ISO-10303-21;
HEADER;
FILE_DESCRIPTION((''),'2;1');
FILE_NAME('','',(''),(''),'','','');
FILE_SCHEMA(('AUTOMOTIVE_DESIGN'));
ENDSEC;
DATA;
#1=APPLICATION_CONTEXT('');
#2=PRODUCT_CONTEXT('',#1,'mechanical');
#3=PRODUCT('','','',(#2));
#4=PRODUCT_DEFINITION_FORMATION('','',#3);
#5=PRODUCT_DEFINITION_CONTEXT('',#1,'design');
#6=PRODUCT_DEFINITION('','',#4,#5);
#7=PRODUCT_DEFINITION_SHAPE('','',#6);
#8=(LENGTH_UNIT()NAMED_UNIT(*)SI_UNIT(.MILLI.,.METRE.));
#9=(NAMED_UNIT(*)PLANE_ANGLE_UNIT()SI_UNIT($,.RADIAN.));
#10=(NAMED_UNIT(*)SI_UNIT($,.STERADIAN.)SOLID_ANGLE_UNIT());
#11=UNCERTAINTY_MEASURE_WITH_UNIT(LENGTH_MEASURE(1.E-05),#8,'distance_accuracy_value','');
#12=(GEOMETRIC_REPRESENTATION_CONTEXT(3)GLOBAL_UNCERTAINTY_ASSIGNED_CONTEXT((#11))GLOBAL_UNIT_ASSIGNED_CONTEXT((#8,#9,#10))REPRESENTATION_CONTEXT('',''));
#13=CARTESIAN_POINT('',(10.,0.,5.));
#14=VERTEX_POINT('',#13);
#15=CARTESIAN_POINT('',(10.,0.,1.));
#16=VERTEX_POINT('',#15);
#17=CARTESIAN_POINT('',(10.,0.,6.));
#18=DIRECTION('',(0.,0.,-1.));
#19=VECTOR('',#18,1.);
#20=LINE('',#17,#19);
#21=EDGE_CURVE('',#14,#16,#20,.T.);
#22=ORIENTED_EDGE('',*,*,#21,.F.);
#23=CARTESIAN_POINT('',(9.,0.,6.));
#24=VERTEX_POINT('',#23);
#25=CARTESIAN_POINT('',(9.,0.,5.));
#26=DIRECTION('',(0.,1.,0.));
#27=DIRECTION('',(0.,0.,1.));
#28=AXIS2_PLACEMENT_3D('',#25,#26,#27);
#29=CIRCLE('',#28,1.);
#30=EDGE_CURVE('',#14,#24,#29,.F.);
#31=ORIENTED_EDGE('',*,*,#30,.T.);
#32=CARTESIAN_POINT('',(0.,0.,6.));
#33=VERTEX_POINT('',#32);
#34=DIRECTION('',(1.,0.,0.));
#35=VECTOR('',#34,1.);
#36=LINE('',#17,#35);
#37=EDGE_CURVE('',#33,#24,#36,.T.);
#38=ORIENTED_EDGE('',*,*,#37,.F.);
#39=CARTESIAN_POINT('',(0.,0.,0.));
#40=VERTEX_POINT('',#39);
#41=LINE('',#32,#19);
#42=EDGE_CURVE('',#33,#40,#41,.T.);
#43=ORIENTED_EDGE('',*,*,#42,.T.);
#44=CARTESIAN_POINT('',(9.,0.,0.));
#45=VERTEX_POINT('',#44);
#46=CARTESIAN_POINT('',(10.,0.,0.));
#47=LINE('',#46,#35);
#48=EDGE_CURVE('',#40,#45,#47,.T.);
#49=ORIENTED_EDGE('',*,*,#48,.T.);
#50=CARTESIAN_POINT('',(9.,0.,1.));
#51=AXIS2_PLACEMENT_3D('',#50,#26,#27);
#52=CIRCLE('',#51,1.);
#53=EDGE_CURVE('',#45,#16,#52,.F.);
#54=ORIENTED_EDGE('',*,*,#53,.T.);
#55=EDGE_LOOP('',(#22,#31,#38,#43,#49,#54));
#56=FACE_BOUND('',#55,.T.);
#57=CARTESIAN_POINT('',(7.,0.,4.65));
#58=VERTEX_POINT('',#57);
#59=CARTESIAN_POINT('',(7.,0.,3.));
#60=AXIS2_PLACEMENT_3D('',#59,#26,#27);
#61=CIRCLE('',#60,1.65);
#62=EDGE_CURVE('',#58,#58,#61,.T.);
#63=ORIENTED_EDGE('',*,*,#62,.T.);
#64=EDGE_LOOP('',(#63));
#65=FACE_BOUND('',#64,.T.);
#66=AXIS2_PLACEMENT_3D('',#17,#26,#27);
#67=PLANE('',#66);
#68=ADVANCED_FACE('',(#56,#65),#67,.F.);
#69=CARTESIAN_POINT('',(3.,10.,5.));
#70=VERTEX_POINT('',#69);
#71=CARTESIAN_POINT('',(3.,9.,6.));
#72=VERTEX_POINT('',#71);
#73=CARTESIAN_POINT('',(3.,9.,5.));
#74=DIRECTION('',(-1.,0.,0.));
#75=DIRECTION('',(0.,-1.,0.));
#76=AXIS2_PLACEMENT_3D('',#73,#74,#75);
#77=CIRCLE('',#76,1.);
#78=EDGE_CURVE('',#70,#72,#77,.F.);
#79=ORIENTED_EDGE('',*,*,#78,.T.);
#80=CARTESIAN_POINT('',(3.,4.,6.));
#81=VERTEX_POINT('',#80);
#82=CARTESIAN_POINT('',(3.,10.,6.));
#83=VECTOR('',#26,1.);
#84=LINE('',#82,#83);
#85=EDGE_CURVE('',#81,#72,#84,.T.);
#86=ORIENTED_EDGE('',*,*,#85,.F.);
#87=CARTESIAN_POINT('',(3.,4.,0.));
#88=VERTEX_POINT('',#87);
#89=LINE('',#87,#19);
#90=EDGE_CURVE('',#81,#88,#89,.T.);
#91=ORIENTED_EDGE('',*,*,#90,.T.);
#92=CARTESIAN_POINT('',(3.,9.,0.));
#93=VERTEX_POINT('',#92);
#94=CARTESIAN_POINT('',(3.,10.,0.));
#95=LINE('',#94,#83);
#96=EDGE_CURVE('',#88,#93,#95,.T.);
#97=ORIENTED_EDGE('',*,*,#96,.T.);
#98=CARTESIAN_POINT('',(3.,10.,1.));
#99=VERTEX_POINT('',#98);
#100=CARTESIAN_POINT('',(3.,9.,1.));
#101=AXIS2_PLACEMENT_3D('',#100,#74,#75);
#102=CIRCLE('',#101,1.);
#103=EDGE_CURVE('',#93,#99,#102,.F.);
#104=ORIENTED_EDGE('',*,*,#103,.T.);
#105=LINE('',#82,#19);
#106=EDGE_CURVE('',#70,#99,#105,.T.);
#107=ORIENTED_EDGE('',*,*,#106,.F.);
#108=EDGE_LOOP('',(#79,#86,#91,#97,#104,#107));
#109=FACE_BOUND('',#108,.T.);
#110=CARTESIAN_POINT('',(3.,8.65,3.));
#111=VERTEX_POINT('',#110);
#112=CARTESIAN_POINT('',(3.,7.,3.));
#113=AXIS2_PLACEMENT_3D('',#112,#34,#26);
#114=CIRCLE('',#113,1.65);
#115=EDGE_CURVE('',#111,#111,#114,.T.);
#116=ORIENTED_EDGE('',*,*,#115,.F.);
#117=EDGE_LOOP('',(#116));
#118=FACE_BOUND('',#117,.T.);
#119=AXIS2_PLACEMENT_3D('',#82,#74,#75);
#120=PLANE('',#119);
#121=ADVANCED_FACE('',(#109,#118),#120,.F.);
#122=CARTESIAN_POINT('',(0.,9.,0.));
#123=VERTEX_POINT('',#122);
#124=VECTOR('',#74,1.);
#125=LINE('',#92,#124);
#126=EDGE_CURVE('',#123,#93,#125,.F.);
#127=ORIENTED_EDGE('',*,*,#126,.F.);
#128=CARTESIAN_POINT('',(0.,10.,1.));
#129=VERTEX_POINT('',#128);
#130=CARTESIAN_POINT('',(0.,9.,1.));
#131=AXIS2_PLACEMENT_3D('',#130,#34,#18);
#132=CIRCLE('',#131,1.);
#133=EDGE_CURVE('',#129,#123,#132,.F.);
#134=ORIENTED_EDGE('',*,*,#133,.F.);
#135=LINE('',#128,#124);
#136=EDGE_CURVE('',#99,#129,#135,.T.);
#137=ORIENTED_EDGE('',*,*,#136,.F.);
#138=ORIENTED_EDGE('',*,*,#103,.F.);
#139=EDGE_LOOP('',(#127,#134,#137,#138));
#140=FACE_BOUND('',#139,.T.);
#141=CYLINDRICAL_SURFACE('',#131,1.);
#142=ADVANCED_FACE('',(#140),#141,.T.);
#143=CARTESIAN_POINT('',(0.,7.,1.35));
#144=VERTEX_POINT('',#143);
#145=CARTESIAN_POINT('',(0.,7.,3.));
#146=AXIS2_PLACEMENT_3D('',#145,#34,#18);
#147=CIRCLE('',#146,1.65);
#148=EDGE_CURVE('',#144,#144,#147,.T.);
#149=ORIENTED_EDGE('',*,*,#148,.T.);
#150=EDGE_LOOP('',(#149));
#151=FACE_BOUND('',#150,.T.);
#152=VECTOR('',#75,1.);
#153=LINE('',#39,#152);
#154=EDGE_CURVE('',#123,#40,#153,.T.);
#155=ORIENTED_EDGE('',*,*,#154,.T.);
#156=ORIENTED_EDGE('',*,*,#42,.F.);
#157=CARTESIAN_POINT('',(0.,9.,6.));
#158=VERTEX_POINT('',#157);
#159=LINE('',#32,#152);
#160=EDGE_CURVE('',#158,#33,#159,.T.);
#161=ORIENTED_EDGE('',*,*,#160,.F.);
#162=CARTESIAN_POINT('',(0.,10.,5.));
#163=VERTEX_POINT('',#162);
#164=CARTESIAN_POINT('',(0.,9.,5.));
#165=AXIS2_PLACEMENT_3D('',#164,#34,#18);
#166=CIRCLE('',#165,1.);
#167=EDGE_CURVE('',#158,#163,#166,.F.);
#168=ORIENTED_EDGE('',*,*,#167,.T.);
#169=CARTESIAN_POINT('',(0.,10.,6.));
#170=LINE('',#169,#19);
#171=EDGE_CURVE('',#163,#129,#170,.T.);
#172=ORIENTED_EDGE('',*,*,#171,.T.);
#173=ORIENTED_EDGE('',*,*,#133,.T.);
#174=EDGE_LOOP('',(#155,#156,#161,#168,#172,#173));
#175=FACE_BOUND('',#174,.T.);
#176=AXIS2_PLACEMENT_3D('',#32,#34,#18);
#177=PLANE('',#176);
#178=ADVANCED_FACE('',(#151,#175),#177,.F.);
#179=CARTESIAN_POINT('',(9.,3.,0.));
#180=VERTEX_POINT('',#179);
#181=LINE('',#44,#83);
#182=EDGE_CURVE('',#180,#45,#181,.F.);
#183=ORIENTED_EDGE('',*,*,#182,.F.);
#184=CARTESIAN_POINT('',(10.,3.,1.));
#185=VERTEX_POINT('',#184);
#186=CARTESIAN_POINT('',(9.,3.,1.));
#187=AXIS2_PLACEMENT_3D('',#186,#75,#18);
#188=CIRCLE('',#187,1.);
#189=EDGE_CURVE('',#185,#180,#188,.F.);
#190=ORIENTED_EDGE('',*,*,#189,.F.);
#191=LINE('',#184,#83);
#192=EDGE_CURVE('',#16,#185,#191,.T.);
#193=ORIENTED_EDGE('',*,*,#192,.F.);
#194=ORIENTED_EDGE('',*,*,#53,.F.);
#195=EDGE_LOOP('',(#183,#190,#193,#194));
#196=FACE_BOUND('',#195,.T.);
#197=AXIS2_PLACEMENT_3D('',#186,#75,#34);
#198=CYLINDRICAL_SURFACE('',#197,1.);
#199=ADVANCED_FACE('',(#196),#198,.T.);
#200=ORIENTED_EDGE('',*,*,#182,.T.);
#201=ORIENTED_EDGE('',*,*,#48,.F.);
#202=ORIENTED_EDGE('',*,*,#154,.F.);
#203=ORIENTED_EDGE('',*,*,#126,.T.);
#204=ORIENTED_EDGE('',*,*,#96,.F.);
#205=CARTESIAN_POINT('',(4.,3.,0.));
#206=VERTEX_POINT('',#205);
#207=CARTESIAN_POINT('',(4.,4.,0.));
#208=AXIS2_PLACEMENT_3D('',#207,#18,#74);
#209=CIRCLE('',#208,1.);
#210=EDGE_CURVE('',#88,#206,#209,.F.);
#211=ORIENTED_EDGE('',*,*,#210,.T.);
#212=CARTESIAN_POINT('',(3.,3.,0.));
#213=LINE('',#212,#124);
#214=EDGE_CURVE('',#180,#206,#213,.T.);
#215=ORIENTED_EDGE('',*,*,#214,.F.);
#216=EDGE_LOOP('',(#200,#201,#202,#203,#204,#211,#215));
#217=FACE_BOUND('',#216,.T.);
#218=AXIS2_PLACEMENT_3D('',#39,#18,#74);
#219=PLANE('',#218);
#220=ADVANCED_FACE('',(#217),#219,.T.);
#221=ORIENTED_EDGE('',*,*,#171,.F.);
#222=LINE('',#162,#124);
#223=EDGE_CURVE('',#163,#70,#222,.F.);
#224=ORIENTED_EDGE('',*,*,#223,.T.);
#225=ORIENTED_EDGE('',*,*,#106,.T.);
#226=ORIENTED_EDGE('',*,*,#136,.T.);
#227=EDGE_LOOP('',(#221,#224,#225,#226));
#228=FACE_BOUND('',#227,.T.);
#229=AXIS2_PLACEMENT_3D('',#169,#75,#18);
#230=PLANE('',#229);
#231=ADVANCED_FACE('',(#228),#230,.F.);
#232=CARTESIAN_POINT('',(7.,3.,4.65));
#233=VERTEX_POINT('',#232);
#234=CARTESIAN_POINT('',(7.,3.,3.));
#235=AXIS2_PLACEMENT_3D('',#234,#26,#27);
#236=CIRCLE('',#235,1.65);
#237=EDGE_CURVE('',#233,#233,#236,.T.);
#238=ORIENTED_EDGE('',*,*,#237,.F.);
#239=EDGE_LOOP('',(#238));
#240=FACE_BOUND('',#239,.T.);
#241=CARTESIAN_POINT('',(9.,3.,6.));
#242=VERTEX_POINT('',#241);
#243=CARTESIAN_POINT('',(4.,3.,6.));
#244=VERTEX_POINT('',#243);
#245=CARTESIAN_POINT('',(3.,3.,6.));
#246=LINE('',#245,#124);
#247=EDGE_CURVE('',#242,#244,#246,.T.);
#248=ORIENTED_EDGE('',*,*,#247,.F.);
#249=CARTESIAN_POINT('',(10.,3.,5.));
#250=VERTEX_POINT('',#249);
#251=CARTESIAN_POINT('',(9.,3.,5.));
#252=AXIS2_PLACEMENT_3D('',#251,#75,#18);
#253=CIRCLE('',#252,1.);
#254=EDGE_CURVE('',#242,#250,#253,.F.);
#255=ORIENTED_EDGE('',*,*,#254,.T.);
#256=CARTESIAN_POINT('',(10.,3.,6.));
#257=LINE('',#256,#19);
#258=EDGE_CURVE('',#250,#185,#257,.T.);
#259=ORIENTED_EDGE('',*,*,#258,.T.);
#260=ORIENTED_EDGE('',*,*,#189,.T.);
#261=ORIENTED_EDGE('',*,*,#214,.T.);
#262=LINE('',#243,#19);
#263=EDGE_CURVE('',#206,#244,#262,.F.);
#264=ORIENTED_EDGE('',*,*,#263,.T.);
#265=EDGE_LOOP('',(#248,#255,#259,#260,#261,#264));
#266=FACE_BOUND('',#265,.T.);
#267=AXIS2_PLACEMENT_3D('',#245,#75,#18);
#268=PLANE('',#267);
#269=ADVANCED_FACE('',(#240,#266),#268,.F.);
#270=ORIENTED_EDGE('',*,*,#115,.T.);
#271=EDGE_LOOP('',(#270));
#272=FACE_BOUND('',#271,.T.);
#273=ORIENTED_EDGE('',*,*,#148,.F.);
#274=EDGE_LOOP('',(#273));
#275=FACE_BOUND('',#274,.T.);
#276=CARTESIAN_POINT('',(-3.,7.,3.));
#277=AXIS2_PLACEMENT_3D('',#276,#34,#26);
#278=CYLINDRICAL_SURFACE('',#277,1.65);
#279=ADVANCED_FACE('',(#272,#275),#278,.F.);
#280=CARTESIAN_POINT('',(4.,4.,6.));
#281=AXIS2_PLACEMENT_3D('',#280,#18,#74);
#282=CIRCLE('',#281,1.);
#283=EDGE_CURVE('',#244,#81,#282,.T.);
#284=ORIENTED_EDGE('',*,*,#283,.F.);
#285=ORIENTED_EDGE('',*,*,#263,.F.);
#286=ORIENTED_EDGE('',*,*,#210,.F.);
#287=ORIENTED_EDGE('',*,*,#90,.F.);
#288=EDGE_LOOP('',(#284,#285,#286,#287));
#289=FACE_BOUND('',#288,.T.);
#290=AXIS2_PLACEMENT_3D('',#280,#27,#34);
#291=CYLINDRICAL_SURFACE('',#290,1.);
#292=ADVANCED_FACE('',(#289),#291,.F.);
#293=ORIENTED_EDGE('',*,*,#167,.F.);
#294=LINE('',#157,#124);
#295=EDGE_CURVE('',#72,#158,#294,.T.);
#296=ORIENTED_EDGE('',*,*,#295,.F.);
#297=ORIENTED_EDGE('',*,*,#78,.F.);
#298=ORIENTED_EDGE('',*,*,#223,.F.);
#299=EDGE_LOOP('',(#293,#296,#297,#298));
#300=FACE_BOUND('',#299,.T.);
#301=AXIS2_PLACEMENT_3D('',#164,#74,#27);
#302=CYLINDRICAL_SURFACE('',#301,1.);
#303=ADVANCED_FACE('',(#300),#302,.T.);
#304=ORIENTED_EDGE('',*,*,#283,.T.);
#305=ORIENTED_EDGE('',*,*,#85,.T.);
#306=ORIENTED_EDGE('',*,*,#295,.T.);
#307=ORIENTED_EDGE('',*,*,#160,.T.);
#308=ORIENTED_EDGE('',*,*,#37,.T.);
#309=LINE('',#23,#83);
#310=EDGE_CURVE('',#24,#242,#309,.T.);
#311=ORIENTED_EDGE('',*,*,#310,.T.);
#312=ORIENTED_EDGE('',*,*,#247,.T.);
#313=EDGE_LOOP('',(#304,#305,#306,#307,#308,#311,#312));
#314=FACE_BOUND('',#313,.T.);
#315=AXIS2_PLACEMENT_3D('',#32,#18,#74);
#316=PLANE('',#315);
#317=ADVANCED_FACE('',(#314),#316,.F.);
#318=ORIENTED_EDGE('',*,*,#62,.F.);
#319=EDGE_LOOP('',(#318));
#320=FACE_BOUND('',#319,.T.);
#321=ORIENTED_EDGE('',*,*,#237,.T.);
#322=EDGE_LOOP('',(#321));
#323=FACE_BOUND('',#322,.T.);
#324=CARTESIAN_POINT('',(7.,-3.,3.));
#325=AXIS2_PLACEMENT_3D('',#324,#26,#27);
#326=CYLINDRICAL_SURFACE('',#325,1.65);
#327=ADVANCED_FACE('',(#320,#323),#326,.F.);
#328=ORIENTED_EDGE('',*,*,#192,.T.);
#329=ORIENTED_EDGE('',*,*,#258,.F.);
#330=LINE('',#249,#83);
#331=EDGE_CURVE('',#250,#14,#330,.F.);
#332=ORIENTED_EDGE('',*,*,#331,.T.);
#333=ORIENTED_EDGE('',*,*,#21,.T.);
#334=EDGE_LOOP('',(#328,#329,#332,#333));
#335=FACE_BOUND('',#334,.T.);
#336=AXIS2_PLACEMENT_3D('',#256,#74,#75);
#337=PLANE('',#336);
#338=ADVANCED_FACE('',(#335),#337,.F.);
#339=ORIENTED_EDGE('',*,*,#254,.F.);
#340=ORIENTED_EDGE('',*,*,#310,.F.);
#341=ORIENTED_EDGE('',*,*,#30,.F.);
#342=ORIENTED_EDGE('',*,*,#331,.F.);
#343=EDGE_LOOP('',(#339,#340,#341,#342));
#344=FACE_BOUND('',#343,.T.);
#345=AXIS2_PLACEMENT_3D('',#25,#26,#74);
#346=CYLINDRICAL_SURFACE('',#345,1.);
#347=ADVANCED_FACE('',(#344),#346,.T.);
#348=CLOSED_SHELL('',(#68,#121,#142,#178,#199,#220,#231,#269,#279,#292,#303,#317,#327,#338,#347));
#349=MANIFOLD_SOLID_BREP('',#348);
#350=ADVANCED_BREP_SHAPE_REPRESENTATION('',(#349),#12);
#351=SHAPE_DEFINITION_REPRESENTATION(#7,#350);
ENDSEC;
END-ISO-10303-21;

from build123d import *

# Parameters (mm, degrees)
EXTRUDE_1_DEPTH     = 6
SKETCH_2_R          = 1.65
CUT_EXTRUDE_1_DEPTH = 6
SKETCH_3_R          = 1.65
CUT_EXTRUDE_2_DEPTH = 6
FILLET_1_R          = 1


with BuildPart() as part:
    # 草图1 → 凸台-拉伸1 (new body)
    with BuildSketch(Plane.XY):
        Polygon((10, 0), (0, 0), (0, 10), (3, 10), (3, 3), (10, 3), align=None)
    extrude(amount=EXTRUDE_1_DEPTH)

    # 草图2 → 切除-拉伸1 (cut)
    with BuildSketch(Plane(origin=(3, 0, 0), x_dir=(0, 0, -1), z_dir=(1, 0, 0))):
        with Locations(Location((-3, 7, 0), (0, 0, 90))):
            Circle(SKETCH_2_R)
    extrude(amount=-CUT_EXTRUDE_1_DEPTH, mode=Mode.SUBTRACT)

    # 草图3 → 切除-拉伸2 (cut)
    with BuildSketch(Plane(origin=(0, 3, 0), x_dir=(1, 0, 0), z_dir=(0, 1, 0))):
        with Locations(Location((7, -3, 0), (0, 0, 270))):
            Circle(SKETCH_3_R)
    extrude(amount=-CUT_EXTRUDE_2_DEPTH, mode=Mode.SUBTRACT)

    # 圆角1
    fillet_1_edges = [part.edges().sort_by_distance(p)[0] for p in [
        (3, 3, 3),
        (1.5, 10, 6),
        (10, 1.5, 6),
        (1.5, 10, 0),
        (10, 1.5, 0),
    ]]
    fillet(fillet_1_edges, radius=FILLET_1_R)


solid = part.part
